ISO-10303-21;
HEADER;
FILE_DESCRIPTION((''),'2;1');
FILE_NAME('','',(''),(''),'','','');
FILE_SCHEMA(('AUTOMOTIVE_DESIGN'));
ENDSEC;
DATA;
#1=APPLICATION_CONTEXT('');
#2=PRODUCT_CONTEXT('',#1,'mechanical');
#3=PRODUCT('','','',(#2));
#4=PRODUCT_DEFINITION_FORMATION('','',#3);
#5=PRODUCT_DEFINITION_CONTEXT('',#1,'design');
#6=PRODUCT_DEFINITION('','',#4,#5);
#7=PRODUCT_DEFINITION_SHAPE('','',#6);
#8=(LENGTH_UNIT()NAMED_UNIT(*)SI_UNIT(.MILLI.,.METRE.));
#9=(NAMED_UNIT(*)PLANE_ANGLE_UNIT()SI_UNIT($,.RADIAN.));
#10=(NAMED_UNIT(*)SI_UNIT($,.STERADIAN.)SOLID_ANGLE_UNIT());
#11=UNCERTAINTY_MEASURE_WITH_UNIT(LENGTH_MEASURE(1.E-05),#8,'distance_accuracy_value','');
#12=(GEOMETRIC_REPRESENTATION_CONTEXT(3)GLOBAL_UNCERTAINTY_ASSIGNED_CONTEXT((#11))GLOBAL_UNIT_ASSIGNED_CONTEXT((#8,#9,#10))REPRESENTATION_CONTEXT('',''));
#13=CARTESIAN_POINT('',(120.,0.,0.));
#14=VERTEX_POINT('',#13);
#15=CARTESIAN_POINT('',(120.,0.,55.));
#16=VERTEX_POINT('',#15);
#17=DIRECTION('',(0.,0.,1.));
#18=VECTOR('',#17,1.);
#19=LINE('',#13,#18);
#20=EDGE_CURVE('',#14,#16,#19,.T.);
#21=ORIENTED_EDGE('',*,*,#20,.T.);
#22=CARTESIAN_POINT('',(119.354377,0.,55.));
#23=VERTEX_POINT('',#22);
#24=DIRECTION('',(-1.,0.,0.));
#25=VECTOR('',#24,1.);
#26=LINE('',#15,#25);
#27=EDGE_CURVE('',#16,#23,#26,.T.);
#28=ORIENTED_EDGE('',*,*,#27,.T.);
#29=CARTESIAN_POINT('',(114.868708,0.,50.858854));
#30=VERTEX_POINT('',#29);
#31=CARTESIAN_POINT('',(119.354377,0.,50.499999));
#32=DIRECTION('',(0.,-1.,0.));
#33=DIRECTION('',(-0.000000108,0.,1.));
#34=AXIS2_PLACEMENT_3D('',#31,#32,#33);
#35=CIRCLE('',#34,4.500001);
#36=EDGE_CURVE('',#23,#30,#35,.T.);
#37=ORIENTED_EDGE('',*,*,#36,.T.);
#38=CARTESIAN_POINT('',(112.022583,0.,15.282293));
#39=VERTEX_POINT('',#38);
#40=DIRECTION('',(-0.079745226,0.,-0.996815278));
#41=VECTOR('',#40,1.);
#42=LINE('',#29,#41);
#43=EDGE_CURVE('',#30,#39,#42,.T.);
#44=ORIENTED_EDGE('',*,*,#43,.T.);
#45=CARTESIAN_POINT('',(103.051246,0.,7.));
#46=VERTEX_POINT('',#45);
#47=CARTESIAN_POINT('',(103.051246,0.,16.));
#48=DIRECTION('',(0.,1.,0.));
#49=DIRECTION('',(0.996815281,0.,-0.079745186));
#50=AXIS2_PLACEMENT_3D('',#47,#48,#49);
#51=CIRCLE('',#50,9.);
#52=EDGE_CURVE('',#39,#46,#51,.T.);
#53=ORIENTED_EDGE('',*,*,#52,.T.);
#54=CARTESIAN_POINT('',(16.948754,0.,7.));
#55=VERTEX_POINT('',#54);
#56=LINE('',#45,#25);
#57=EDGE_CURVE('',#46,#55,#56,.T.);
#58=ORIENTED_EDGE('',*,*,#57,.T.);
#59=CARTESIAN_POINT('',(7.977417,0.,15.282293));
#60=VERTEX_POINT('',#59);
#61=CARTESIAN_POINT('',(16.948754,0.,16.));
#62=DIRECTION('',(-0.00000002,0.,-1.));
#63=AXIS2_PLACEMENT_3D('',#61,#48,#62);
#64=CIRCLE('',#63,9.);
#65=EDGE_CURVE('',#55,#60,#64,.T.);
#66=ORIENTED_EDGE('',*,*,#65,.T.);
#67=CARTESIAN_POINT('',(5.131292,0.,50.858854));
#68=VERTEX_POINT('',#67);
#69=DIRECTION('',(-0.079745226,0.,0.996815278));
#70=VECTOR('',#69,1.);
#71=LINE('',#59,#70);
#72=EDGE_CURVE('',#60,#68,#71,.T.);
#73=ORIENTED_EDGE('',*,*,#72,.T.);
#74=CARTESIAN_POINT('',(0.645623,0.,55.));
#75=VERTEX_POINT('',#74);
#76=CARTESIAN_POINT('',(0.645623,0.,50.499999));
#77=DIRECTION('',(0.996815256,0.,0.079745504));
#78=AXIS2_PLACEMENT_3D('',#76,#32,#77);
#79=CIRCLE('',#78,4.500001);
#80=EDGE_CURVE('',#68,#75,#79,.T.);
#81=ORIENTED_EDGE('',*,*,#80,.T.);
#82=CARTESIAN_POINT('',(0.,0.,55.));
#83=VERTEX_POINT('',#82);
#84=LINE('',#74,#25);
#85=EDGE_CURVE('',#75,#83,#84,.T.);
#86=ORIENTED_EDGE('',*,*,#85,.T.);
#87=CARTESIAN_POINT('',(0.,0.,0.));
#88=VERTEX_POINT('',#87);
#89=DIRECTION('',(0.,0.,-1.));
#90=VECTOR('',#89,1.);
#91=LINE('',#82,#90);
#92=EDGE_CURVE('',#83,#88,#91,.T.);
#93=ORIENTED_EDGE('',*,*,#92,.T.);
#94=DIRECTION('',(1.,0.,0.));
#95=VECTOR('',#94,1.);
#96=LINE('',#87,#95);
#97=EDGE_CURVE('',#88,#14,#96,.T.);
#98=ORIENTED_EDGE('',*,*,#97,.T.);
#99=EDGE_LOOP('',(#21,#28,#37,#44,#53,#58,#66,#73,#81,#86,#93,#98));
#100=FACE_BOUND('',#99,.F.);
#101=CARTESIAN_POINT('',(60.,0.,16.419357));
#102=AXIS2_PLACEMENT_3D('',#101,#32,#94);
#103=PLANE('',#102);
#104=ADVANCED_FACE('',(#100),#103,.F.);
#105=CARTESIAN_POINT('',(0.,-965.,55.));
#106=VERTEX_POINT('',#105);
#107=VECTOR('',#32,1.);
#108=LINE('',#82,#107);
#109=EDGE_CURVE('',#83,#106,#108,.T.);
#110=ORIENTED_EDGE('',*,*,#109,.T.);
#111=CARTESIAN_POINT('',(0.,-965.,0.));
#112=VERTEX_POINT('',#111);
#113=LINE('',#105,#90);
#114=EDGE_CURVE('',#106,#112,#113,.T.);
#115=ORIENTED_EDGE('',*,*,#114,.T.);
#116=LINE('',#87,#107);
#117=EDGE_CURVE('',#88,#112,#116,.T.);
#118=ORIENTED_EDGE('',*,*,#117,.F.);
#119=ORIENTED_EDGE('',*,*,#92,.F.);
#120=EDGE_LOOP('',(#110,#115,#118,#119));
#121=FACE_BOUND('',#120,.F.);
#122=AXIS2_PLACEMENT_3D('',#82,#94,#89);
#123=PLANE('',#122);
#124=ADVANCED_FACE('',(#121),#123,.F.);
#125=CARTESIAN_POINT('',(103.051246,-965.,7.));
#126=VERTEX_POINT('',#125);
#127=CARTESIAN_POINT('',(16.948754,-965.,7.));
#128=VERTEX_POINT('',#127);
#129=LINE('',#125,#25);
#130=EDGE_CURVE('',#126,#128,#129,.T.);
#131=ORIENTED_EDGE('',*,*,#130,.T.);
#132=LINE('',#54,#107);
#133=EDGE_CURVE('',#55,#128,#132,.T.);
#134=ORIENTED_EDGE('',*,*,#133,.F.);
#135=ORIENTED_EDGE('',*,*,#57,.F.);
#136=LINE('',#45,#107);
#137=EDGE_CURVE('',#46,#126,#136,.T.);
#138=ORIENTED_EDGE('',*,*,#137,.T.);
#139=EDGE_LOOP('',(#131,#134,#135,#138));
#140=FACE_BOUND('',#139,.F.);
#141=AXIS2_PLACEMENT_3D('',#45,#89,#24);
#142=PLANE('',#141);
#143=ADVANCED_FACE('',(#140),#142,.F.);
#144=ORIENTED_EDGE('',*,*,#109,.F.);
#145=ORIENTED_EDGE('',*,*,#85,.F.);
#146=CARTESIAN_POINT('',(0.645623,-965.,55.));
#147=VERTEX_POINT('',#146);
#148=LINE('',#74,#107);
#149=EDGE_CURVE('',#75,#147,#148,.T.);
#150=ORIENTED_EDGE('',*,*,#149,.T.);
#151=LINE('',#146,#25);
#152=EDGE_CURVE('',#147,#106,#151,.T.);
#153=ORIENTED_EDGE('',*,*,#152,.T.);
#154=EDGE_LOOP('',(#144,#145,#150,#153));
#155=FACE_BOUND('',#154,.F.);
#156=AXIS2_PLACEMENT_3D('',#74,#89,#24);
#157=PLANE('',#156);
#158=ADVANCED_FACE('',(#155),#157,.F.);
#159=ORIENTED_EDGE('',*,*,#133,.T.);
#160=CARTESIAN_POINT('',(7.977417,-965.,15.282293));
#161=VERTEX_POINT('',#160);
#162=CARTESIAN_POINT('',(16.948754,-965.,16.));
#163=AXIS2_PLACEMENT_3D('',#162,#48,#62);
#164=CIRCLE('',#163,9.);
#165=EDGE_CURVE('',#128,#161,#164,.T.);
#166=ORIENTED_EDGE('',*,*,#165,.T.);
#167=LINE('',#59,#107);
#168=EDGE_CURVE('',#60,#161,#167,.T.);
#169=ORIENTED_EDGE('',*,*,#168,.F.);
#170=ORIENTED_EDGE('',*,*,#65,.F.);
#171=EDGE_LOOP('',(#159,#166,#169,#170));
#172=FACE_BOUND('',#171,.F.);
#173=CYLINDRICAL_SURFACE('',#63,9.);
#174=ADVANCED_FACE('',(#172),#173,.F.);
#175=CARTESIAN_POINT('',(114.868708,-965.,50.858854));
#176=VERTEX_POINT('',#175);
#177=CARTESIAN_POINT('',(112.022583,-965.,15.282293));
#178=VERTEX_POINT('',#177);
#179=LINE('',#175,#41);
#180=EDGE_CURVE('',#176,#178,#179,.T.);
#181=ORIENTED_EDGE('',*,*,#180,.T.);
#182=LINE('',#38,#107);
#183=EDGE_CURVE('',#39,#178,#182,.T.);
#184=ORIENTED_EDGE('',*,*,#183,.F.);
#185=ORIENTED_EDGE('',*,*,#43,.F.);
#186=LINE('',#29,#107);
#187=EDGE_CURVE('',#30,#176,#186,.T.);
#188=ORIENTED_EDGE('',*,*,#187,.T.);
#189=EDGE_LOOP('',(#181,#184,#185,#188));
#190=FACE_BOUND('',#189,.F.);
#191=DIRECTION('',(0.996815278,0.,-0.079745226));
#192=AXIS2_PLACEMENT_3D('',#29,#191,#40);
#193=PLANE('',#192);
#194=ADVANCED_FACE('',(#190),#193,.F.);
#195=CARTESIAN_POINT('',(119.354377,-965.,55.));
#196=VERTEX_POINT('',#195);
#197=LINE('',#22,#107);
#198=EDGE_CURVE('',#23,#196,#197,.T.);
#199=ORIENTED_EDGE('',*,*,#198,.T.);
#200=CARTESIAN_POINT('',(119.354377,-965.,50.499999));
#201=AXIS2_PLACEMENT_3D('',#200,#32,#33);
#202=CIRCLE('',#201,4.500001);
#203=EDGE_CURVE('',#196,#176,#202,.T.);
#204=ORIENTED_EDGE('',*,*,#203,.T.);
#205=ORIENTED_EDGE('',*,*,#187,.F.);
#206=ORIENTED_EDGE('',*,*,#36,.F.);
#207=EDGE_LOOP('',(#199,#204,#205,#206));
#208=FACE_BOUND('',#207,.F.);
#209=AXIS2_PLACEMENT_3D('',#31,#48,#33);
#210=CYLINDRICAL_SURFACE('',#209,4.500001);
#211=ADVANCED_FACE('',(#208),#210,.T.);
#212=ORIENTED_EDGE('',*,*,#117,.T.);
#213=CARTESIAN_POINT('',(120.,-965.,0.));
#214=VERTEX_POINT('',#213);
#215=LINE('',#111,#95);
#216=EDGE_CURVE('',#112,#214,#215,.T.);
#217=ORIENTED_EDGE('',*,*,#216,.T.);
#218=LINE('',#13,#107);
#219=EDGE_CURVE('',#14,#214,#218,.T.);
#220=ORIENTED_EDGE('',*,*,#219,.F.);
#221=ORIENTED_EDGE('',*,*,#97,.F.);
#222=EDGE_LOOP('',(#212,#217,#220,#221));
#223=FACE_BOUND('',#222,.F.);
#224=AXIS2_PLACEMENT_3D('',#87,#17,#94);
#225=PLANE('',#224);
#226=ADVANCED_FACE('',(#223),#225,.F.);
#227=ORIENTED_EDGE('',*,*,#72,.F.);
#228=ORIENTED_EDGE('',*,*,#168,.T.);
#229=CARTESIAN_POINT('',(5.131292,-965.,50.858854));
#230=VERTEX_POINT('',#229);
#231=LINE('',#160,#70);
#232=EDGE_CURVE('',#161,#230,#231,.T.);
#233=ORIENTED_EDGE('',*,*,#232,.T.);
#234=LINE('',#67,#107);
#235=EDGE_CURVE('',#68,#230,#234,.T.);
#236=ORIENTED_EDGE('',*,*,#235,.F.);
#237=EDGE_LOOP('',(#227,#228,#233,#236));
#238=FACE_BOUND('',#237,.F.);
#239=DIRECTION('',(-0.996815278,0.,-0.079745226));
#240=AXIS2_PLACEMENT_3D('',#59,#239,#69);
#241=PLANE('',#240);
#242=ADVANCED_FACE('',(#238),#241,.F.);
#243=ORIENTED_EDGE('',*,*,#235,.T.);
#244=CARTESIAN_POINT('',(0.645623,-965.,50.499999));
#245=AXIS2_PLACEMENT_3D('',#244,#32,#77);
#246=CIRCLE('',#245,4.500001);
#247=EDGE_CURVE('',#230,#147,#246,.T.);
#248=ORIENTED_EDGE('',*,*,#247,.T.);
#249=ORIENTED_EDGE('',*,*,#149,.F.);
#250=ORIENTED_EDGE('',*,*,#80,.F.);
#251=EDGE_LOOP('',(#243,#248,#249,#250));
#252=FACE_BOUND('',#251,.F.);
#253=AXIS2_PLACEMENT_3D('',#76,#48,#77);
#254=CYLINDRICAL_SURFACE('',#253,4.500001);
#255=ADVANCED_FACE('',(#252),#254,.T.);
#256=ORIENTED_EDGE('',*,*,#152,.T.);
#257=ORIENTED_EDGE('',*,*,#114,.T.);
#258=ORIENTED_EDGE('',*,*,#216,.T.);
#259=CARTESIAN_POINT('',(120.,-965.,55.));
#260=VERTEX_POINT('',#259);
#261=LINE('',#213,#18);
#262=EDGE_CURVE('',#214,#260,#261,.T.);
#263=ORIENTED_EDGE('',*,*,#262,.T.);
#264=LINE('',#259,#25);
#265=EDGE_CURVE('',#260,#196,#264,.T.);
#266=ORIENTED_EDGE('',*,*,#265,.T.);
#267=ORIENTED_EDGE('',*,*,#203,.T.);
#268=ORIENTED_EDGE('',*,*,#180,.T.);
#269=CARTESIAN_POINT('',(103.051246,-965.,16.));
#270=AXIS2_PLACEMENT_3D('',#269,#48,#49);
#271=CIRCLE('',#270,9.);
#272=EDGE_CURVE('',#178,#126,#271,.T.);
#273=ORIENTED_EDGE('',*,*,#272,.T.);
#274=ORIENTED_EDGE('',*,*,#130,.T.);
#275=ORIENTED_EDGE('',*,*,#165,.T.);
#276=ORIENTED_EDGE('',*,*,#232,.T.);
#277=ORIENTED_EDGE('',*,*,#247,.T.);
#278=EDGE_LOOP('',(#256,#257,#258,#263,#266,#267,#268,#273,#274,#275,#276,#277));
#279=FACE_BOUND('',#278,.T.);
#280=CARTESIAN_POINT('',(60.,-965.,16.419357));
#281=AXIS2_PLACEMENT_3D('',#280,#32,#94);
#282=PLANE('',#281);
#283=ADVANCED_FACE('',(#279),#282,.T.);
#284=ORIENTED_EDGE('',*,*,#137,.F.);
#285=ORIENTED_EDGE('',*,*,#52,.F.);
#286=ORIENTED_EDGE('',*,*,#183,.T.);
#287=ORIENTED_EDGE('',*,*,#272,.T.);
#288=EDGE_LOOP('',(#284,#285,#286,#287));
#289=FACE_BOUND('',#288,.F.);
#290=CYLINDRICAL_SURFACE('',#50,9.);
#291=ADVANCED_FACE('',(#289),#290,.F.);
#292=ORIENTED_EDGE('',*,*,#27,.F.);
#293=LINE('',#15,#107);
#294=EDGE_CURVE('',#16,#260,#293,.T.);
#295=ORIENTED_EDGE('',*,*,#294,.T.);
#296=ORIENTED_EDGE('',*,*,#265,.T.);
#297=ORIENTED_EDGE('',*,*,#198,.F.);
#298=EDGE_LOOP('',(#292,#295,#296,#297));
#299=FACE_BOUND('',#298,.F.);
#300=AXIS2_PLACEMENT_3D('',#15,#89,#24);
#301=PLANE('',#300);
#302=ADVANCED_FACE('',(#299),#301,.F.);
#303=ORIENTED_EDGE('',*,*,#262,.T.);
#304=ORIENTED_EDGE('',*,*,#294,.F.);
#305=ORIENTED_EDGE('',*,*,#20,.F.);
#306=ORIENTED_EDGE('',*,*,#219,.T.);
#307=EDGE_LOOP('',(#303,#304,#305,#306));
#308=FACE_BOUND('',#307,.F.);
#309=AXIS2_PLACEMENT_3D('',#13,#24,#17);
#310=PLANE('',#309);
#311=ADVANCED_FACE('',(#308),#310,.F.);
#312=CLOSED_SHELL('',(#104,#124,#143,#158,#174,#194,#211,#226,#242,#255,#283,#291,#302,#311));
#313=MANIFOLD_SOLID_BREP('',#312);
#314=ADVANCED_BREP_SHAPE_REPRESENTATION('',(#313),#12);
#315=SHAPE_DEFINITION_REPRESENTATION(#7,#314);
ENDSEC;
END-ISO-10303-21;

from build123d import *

# Parameters (mm, degrees)
F1_DEPTH = 965


with BuildPart() as f1:
    # F0 (on Front) → F1 (new body)
    with BuildSketch(Plane.XZ):
        with BuildLine():
            Line((0.645623, 55), (0, 55))
            Line((0, 55), (0, 0))
            Line((0, 0), (120, 0))
            Line((120, 0), (120, 55))
            Line((120, 55), (119.354377, 55))
            ThreePointArc((119.354377, 55), (116.301906, 53.806421), (114.868708, 50.858854))
            Line((114.868708, 50.858854), (112.022583, 15.282293))
            ThreePointArc((112.022583, 15.282293), (109.156188, 9.387158), (103.051246, 7))
            Line((103.051246, 7), (16.948754, 7))
            ThreePointArc((16.948754, 7), (10.843812, 9.387158), (7.977417, 15.282293))
            Line((7.977417, 15.282293), (5.131292, 50.858854))
            ThreePointArc((5.131292, 50.858854), (3.698094, 53.806421), (0.645623, 55))
        make_face()
    extrude(amount=F1_DEPTH)


solid = f1.part
